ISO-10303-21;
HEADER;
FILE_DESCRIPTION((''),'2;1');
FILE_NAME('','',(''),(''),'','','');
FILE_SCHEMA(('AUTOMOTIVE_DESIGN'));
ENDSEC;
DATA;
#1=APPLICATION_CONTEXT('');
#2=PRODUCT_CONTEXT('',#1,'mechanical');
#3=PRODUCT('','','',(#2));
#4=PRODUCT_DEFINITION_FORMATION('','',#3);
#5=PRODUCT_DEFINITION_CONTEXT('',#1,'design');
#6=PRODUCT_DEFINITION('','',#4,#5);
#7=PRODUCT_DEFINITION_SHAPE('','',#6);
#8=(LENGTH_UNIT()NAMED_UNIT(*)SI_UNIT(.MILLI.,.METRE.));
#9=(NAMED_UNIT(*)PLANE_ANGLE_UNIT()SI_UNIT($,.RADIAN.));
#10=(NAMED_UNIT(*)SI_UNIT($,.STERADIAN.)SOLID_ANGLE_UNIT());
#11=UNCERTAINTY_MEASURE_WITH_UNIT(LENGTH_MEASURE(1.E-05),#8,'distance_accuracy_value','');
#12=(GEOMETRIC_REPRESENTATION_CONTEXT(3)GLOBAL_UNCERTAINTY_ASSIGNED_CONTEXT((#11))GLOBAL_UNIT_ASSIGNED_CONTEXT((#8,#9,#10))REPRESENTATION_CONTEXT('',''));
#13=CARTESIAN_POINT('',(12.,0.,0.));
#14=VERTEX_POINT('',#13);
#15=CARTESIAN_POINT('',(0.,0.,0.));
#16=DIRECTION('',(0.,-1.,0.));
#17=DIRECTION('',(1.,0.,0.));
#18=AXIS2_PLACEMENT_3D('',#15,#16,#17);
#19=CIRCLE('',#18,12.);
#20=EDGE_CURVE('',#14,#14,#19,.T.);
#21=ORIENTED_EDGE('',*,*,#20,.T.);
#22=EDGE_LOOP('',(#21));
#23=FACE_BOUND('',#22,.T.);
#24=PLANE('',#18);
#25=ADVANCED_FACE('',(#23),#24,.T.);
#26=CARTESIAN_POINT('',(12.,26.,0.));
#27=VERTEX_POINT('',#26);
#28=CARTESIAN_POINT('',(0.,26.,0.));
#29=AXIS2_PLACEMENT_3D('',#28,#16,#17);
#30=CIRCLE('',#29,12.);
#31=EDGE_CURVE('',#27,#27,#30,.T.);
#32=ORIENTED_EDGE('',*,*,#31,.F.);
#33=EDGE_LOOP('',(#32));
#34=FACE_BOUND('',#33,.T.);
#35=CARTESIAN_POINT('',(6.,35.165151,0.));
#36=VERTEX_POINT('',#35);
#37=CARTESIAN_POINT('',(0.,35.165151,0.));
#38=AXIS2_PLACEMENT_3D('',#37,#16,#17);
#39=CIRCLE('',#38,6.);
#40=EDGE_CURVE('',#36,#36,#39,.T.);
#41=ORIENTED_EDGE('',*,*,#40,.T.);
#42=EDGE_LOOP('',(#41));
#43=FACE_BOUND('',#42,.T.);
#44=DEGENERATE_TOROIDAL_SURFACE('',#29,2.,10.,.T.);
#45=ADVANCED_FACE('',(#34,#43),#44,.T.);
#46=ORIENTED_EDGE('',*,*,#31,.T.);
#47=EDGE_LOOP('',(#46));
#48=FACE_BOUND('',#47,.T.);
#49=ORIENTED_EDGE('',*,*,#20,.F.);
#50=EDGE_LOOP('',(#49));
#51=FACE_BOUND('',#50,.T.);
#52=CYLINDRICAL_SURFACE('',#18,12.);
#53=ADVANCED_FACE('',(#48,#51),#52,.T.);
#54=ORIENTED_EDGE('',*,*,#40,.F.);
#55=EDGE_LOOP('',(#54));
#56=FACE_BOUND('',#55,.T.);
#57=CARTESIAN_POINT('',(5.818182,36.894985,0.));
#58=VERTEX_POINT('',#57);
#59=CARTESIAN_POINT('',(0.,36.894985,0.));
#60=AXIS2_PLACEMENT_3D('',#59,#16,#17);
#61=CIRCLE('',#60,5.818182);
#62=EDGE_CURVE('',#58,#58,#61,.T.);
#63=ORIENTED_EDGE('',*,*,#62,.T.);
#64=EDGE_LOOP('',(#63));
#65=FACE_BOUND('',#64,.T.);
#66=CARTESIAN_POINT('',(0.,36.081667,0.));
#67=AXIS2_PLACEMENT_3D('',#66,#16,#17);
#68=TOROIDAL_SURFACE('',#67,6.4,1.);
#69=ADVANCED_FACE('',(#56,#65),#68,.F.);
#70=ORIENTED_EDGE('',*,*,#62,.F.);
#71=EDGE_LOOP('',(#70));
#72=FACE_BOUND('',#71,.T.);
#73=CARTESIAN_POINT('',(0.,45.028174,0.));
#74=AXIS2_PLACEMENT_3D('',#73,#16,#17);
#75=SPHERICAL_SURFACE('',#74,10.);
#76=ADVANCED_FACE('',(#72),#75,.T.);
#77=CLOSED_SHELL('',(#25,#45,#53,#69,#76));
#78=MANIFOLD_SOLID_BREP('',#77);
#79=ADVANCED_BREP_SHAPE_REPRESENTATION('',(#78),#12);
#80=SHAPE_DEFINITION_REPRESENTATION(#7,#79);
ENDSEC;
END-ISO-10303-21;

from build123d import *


with BuildPart() as part:
    # Sketch1 → Revolve1 (revolve)
    with BuildSketch(Plane.XY):
        with BuildLine():
            Line((0, 0), (12, 0))
            Line((12, 0), (12, 26))
            ThreePointArc((12, 26), (10.366600265, 31.477225575), (6, 35.16515139))
            ThreePointArc((6, 35.16515139), (5.405478421, 35.977135052), (5.818181818, 36.894985411))
            ThreePointArc((5.818181818, 36.894985411), (9.521866628, 48.083342949), (0, 55.028174227))
            Line((0, 55.028174227), (0, 0))
        make_face()
    revolve(axis=Axis((0, 0, 0), (0, 1, 0)))


solid = part.part
